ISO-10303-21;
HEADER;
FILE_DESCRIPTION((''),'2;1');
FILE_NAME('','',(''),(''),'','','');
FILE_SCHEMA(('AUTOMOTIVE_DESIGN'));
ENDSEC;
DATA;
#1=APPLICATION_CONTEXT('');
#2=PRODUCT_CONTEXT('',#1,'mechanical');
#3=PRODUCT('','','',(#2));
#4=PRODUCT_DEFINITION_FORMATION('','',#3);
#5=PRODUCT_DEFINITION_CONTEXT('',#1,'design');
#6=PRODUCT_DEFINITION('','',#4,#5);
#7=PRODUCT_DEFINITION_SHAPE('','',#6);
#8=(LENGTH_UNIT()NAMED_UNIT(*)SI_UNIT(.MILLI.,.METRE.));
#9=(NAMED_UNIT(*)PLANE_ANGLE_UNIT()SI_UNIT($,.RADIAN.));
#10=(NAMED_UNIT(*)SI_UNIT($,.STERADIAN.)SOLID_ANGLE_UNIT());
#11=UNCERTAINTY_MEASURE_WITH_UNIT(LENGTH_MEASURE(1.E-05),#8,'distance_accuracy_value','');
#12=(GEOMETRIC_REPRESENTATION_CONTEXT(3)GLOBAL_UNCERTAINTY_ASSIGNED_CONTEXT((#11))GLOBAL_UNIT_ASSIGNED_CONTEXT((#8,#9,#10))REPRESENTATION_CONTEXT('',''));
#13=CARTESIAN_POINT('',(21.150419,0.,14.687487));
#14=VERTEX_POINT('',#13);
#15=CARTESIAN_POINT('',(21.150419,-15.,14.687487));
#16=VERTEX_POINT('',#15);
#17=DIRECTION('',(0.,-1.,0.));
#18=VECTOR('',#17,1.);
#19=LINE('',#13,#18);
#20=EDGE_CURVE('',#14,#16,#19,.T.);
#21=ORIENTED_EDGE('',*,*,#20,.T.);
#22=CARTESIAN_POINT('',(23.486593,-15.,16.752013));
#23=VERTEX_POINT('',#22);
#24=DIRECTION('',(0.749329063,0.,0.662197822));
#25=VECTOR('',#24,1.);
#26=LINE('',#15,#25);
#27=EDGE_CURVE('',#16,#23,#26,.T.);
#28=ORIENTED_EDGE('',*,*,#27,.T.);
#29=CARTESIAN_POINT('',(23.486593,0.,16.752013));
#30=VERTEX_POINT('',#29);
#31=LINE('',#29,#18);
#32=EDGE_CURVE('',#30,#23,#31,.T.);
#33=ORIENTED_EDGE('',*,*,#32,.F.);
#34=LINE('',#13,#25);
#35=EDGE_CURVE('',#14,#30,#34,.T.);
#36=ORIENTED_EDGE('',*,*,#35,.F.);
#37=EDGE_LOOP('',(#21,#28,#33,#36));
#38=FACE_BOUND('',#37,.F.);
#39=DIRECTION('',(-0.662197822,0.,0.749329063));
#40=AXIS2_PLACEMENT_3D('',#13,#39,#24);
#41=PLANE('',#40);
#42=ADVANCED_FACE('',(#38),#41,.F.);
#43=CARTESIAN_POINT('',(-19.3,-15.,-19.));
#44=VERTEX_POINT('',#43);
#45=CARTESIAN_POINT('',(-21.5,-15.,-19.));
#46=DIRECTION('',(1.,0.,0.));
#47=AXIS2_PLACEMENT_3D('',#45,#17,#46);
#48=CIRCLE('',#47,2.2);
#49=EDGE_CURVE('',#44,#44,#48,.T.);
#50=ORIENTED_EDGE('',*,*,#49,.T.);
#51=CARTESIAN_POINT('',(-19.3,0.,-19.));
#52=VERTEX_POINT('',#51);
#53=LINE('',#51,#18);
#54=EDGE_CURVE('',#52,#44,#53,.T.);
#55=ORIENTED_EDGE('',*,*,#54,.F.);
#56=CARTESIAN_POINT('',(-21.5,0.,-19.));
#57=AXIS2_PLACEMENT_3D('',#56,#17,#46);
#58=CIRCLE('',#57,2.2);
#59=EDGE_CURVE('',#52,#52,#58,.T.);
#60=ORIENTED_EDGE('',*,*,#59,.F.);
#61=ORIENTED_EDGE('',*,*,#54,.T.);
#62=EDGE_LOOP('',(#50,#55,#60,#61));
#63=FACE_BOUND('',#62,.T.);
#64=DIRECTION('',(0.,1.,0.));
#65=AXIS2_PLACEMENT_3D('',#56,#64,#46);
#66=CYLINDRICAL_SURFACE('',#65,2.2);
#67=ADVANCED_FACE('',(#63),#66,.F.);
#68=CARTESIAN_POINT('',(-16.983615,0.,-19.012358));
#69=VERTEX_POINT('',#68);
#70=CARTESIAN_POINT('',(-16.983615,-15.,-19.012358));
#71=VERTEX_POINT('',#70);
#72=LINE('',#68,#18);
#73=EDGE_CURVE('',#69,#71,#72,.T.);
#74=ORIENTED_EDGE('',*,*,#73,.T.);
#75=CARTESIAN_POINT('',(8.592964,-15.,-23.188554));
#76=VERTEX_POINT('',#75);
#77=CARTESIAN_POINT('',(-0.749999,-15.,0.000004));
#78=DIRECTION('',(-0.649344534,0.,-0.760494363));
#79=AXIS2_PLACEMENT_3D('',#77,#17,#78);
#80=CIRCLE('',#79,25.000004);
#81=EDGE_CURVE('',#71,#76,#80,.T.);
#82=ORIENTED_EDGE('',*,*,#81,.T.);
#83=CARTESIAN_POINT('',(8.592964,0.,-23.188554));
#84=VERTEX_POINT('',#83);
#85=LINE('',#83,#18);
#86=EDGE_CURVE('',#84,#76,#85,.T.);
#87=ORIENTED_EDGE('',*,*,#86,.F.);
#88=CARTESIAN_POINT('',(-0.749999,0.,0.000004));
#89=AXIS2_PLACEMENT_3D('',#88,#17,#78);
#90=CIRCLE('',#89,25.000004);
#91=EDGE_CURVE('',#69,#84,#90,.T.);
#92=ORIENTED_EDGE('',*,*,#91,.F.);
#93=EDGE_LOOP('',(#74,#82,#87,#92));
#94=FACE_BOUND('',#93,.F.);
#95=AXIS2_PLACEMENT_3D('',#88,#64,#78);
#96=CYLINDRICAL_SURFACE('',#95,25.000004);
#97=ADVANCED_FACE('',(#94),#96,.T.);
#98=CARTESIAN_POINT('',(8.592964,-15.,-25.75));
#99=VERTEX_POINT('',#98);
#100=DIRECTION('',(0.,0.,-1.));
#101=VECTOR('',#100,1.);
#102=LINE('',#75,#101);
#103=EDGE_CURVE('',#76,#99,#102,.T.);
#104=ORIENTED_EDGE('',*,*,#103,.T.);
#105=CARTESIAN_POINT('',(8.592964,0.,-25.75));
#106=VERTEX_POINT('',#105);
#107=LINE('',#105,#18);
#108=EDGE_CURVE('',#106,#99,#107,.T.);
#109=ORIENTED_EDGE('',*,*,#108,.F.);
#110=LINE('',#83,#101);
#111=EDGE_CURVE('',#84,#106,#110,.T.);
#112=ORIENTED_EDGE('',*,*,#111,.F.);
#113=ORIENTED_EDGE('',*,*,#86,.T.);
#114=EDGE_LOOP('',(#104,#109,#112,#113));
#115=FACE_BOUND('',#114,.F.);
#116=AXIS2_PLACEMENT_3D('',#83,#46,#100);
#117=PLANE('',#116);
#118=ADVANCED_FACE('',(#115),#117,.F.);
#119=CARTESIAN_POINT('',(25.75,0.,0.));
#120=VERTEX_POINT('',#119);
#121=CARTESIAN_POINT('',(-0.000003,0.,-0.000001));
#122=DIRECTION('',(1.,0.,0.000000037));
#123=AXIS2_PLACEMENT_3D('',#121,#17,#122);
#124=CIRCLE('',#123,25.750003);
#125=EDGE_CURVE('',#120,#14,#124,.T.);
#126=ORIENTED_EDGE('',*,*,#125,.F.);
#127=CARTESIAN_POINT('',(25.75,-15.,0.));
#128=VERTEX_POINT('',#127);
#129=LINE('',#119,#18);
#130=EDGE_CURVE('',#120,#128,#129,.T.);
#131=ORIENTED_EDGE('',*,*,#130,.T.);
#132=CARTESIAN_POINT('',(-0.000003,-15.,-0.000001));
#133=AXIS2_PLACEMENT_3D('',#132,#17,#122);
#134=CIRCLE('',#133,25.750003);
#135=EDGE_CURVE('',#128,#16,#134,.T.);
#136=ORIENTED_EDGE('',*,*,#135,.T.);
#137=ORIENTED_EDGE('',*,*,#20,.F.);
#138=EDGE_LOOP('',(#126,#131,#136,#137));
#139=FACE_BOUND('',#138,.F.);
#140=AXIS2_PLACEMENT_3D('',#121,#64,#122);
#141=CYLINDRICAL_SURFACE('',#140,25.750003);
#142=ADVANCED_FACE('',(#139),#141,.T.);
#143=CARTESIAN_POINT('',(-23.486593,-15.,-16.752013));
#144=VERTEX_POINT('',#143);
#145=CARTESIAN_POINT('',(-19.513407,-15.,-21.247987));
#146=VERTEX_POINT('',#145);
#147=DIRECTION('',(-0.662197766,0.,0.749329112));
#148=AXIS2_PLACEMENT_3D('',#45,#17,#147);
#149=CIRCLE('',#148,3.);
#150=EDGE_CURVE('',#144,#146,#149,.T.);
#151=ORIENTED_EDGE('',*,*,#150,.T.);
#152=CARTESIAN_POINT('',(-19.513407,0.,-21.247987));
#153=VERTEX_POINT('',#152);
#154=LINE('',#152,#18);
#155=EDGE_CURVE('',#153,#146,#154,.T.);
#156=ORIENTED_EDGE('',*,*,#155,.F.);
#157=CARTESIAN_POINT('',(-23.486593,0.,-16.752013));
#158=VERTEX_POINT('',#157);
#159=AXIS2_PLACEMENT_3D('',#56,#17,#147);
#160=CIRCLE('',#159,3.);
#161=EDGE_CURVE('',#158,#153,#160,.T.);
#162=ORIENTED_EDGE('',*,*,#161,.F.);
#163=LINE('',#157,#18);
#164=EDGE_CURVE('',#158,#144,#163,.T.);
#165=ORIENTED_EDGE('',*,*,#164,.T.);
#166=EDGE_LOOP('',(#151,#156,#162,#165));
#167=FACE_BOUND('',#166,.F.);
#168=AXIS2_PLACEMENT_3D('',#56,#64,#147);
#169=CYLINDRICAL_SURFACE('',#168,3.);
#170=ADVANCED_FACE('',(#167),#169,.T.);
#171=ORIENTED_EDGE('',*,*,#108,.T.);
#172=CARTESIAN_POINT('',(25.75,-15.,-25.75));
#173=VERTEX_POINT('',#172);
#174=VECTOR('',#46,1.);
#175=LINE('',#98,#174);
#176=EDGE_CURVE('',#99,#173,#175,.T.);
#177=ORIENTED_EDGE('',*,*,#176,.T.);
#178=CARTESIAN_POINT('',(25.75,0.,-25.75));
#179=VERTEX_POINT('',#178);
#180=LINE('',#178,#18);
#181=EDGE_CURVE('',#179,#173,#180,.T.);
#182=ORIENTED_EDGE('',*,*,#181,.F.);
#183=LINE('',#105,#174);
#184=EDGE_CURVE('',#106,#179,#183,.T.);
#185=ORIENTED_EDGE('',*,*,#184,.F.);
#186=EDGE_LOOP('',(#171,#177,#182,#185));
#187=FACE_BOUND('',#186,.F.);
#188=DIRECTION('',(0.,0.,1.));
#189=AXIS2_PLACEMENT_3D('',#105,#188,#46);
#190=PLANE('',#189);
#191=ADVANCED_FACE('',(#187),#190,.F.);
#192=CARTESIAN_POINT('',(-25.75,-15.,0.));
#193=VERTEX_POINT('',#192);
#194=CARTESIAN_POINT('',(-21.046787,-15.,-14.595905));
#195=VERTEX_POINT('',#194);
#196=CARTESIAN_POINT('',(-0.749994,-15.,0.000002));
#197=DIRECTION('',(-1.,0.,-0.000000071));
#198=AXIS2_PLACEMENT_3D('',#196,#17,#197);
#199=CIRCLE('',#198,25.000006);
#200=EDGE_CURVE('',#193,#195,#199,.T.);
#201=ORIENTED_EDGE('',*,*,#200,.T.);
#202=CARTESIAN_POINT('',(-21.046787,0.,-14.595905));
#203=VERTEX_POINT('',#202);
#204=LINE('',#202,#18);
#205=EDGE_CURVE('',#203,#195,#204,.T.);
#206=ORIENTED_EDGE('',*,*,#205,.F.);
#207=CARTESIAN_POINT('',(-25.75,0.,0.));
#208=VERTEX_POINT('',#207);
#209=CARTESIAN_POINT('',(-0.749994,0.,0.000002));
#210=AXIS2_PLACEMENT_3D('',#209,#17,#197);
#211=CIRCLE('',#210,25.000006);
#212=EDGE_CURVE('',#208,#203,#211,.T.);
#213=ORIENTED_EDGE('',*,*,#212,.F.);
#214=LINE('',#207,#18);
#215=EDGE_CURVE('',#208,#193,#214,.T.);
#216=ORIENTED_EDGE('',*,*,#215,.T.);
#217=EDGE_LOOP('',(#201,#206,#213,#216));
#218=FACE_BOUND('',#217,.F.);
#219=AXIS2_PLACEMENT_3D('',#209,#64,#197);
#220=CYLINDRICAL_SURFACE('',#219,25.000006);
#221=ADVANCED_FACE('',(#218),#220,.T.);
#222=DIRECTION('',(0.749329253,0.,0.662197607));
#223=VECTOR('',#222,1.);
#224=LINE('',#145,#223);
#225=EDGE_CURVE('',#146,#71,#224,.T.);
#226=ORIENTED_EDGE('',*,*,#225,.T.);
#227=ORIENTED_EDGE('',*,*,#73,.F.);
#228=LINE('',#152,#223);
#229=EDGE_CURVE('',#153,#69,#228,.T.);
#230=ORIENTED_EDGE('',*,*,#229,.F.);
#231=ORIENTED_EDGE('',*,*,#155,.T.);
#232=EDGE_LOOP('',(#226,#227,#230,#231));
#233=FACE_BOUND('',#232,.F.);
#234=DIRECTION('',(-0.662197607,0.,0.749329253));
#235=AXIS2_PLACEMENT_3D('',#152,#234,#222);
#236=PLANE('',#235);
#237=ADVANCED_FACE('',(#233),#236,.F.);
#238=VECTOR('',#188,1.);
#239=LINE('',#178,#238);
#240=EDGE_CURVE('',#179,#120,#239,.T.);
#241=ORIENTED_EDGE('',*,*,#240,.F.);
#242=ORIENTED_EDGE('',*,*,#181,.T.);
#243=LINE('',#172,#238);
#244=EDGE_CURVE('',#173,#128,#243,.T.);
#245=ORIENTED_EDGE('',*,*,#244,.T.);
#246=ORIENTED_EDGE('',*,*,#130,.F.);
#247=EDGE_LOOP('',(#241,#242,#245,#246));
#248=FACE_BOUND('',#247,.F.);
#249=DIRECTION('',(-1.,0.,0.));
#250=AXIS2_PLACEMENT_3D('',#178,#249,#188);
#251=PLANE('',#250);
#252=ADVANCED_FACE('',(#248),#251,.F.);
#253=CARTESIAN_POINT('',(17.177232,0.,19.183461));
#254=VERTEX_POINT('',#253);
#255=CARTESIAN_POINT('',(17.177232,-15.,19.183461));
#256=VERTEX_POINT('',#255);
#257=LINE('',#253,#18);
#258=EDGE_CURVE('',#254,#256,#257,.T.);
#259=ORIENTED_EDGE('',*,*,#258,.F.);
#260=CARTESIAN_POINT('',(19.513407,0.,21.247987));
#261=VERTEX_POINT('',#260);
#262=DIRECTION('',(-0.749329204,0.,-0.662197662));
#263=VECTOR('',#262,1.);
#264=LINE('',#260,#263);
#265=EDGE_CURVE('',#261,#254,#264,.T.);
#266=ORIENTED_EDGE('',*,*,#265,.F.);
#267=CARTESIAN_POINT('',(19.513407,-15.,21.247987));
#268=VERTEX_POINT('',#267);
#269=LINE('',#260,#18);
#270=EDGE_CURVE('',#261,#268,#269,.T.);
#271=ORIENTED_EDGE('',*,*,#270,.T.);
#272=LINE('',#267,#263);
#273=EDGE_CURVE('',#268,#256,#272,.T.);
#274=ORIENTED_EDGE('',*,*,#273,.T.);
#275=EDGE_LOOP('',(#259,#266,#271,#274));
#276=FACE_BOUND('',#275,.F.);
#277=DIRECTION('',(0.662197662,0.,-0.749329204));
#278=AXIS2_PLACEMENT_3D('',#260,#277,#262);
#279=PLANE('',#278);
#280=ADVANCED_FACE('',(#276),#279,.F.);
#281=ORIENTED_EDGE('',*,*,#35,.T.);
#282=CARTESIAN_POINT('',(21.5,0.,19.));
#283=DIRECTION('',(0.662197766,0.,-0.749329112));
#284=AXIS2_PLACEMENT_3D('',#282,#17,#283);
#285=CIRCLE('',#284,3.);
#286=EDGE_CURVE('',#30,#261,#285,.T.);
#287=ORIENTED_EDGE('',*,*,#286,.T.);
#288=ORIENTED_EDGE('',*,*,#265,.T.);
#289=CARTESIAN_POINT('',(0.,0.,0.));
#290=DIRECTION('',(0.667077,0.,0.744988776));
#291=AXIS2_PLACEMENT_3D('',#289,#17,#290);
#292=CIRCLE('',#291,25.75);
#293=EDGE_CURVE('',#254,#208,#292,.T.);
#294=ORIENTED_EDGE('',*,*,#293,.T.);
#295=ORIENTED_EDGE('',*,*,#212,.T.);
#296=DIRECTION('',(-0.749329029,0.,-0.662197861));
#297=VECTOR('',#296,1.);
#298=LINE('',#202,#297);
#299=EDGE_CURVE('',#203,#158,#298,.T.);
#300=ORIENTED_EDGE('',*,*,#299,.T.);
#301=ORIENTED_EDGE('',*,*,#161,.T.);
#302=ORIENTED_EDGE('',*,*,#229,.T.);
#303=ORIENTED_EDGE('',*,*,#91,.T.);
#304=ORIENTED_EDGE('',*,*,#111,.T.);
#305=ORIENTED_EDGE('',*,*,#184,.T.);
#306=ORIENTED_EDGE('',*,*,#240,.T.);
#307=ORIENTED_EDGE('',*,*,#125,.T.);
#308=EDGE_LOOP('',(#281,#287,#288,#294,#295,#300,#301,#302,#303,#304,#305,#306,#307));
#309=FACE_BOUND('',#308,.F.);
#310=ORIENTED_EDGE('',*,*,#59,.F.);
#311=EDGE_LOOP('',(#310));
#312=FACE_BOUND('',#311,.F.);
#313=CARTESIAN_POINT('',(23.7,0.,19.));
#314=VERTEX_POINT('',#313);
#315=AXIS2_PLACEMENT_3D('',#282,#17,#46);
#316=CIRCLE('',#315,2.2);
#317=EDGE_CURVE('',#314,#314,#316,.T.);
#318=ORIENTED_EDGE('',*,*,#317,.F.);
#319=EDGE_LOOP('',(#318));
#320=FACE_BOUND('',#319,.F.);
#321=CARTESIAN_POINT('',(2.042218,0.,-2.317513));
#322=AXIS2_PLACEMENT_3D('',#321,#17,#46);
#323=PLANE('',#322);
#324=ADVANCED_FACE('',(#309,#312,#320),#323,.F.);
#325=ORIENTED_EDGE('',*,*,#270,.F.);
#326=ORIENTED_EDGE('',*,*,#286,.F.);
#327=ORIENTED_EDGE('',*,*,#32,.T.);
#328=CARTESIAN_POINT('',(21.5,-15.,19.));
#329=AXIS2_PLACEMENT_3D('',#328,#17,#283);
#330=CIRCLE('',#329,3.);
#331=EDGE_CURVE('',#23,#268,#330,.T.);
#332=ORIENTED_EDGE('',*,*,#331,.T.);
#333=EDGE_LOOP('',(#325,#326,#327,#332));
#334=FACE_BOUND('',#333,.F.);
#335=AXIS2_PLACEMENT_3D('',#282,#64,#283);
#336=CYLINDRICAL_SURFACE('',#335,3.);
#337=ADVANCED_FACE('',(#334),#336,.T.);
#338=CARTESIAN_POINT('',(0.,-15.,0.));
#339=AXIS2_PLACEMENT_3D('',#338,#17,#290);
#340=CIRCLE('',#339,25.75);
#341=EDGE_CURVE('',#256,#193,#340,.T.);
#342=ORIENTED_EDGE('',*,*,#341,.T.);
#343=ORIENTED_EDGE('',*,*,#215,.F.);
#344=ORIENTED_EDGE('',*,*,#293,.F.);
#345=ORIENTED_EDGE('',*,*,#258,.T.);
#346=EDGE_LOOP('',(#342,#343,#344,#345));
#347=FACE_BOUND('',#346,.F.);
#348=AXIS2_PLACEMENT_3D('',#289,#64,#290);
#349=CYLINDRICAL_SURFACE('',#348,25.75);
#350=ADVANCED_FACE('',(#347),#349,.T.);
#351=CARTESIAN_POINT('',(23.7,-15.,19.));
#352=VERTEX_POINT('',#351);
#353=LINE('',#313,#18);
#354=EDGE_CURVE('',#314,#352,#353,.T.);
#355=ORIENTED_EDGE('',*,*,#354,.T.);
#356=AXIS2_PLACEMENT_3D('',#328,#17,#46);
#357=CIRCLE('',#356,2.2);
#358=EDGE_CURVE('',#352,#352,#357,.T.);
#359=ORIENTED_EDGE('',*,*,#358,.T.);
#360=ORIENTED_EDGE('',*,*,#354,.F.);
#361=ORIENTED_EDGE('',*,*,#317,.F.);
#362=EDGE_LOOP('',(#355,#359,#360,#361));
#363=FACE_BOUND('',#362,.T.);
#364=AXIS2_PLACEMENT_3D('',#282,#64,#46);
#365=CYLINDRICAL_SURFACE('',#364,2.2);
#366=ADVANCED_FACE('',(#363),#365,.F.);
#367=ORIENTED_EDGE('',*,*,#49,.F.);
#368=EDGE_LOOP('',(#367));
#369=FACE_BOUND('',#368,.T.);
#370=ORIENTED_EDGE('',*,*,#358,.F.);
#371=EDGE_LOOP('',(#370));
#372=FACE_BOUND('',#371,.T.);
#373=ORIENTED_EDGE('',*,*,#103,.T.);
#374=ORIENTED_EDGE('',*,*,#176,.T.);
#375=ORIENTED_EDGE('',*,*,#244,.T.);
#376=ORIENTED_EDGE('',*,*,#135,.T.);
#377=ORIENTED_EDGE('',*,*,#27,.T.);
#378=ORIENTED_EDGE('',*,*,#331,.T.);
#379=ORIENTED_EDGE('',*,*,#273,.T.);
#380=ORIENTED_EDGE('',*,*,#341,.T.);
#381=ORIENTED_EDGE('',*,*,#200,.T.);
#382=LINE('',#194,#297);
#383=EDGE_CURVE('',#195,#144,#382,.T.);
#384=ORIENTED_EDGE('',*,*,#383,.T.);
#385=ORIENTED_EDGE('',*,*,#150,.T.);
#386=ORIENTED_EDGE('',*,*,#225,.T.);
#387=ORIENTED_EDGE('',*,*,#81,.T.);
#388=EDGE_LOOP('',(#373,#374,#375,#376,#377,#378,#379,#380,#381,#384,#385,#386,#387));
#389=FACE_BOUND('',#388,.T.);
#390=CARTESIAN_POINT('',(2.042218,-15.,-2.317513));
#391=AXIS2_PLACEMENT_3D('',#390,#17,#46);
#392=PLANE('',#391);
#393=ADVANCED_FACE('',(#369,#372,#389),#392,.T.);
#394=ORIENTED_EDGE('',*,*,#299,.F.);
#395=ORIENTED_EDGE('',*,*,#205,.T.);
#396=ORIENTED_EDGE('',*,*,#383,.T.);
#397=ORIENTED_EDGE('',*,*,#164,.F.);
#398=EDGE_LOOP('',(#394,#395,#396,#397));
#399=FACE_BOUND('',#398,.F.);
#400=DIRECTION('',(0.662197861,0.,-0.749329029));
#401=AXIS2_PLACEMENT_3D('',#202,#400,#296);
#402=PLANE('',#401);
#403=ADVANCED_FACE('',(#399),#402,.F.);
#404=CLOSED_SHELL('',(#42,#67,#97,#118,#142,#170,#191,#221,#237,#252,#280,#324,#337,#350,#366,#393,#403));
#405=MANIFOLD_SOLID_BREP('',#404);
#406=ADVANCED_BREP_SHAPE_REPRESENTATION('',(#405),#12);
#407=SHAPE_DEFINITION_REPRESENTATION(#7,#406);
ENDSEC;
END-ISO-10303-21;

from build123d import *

# Parameters (mm, degrees)
F0_R     = 2.2
F1_DEPTH = 15


with BuildPart() as f1:
    # F0 (on Front) → F1 (new body)
    with BuildSketch(Plane.XZ):
        with BuildLine():
            Line((8.592964, -25.75), (25.75, -25.75))
            Line((25.75, -25.75), (25.75, 0))
            ThreePointArc((25.75, 0), (24.573215, 7.695427), (21.150419, 14.687487))
            Line((21.150419, 14.687487), (23.486593, 16.752013))
            ThreePointArc((23.486593, 16.752013), (23.747987, 20.986593), (19.513407, 21.247987))
            Line((19.513407, 21.247987), (17.177232, 19.183461))
            ThreePointArc((17.177232, 19.183461), (-10.505921, 23.50932), (-25.75, 0))
            ThreePointArc((-25.75, 0), (-24.545164, -7.667474), (-21.046787, -14.595905))
            Line((-21.046787, -14.595905), (-23.486593, -16.752013))
            ThreePointArc((-23.486593, -16.752013), (-23.747987, -20.986593), (-19.513407, -21.247987))
            Line((-19.513407, -21.247987), (-16.983615, -19.012358))
            ThreePointArc((-16.983615, -19.012358), (-4.7787, -24.673256), (8.592964, -23.188554))
            Line((8.592964, -23.188554), (8.592964, -25.75))
        make_face()
        with Locations((-21.5, -19)):
            Circle(F0_R, mode=Mode.SUBTRACT)
        with Locations((21.5, 19)):
            Circle(F0_R, mode=Mode.SUBTRACT)
    extrude(amount=F1_DEPTH)


solid = f1.part
